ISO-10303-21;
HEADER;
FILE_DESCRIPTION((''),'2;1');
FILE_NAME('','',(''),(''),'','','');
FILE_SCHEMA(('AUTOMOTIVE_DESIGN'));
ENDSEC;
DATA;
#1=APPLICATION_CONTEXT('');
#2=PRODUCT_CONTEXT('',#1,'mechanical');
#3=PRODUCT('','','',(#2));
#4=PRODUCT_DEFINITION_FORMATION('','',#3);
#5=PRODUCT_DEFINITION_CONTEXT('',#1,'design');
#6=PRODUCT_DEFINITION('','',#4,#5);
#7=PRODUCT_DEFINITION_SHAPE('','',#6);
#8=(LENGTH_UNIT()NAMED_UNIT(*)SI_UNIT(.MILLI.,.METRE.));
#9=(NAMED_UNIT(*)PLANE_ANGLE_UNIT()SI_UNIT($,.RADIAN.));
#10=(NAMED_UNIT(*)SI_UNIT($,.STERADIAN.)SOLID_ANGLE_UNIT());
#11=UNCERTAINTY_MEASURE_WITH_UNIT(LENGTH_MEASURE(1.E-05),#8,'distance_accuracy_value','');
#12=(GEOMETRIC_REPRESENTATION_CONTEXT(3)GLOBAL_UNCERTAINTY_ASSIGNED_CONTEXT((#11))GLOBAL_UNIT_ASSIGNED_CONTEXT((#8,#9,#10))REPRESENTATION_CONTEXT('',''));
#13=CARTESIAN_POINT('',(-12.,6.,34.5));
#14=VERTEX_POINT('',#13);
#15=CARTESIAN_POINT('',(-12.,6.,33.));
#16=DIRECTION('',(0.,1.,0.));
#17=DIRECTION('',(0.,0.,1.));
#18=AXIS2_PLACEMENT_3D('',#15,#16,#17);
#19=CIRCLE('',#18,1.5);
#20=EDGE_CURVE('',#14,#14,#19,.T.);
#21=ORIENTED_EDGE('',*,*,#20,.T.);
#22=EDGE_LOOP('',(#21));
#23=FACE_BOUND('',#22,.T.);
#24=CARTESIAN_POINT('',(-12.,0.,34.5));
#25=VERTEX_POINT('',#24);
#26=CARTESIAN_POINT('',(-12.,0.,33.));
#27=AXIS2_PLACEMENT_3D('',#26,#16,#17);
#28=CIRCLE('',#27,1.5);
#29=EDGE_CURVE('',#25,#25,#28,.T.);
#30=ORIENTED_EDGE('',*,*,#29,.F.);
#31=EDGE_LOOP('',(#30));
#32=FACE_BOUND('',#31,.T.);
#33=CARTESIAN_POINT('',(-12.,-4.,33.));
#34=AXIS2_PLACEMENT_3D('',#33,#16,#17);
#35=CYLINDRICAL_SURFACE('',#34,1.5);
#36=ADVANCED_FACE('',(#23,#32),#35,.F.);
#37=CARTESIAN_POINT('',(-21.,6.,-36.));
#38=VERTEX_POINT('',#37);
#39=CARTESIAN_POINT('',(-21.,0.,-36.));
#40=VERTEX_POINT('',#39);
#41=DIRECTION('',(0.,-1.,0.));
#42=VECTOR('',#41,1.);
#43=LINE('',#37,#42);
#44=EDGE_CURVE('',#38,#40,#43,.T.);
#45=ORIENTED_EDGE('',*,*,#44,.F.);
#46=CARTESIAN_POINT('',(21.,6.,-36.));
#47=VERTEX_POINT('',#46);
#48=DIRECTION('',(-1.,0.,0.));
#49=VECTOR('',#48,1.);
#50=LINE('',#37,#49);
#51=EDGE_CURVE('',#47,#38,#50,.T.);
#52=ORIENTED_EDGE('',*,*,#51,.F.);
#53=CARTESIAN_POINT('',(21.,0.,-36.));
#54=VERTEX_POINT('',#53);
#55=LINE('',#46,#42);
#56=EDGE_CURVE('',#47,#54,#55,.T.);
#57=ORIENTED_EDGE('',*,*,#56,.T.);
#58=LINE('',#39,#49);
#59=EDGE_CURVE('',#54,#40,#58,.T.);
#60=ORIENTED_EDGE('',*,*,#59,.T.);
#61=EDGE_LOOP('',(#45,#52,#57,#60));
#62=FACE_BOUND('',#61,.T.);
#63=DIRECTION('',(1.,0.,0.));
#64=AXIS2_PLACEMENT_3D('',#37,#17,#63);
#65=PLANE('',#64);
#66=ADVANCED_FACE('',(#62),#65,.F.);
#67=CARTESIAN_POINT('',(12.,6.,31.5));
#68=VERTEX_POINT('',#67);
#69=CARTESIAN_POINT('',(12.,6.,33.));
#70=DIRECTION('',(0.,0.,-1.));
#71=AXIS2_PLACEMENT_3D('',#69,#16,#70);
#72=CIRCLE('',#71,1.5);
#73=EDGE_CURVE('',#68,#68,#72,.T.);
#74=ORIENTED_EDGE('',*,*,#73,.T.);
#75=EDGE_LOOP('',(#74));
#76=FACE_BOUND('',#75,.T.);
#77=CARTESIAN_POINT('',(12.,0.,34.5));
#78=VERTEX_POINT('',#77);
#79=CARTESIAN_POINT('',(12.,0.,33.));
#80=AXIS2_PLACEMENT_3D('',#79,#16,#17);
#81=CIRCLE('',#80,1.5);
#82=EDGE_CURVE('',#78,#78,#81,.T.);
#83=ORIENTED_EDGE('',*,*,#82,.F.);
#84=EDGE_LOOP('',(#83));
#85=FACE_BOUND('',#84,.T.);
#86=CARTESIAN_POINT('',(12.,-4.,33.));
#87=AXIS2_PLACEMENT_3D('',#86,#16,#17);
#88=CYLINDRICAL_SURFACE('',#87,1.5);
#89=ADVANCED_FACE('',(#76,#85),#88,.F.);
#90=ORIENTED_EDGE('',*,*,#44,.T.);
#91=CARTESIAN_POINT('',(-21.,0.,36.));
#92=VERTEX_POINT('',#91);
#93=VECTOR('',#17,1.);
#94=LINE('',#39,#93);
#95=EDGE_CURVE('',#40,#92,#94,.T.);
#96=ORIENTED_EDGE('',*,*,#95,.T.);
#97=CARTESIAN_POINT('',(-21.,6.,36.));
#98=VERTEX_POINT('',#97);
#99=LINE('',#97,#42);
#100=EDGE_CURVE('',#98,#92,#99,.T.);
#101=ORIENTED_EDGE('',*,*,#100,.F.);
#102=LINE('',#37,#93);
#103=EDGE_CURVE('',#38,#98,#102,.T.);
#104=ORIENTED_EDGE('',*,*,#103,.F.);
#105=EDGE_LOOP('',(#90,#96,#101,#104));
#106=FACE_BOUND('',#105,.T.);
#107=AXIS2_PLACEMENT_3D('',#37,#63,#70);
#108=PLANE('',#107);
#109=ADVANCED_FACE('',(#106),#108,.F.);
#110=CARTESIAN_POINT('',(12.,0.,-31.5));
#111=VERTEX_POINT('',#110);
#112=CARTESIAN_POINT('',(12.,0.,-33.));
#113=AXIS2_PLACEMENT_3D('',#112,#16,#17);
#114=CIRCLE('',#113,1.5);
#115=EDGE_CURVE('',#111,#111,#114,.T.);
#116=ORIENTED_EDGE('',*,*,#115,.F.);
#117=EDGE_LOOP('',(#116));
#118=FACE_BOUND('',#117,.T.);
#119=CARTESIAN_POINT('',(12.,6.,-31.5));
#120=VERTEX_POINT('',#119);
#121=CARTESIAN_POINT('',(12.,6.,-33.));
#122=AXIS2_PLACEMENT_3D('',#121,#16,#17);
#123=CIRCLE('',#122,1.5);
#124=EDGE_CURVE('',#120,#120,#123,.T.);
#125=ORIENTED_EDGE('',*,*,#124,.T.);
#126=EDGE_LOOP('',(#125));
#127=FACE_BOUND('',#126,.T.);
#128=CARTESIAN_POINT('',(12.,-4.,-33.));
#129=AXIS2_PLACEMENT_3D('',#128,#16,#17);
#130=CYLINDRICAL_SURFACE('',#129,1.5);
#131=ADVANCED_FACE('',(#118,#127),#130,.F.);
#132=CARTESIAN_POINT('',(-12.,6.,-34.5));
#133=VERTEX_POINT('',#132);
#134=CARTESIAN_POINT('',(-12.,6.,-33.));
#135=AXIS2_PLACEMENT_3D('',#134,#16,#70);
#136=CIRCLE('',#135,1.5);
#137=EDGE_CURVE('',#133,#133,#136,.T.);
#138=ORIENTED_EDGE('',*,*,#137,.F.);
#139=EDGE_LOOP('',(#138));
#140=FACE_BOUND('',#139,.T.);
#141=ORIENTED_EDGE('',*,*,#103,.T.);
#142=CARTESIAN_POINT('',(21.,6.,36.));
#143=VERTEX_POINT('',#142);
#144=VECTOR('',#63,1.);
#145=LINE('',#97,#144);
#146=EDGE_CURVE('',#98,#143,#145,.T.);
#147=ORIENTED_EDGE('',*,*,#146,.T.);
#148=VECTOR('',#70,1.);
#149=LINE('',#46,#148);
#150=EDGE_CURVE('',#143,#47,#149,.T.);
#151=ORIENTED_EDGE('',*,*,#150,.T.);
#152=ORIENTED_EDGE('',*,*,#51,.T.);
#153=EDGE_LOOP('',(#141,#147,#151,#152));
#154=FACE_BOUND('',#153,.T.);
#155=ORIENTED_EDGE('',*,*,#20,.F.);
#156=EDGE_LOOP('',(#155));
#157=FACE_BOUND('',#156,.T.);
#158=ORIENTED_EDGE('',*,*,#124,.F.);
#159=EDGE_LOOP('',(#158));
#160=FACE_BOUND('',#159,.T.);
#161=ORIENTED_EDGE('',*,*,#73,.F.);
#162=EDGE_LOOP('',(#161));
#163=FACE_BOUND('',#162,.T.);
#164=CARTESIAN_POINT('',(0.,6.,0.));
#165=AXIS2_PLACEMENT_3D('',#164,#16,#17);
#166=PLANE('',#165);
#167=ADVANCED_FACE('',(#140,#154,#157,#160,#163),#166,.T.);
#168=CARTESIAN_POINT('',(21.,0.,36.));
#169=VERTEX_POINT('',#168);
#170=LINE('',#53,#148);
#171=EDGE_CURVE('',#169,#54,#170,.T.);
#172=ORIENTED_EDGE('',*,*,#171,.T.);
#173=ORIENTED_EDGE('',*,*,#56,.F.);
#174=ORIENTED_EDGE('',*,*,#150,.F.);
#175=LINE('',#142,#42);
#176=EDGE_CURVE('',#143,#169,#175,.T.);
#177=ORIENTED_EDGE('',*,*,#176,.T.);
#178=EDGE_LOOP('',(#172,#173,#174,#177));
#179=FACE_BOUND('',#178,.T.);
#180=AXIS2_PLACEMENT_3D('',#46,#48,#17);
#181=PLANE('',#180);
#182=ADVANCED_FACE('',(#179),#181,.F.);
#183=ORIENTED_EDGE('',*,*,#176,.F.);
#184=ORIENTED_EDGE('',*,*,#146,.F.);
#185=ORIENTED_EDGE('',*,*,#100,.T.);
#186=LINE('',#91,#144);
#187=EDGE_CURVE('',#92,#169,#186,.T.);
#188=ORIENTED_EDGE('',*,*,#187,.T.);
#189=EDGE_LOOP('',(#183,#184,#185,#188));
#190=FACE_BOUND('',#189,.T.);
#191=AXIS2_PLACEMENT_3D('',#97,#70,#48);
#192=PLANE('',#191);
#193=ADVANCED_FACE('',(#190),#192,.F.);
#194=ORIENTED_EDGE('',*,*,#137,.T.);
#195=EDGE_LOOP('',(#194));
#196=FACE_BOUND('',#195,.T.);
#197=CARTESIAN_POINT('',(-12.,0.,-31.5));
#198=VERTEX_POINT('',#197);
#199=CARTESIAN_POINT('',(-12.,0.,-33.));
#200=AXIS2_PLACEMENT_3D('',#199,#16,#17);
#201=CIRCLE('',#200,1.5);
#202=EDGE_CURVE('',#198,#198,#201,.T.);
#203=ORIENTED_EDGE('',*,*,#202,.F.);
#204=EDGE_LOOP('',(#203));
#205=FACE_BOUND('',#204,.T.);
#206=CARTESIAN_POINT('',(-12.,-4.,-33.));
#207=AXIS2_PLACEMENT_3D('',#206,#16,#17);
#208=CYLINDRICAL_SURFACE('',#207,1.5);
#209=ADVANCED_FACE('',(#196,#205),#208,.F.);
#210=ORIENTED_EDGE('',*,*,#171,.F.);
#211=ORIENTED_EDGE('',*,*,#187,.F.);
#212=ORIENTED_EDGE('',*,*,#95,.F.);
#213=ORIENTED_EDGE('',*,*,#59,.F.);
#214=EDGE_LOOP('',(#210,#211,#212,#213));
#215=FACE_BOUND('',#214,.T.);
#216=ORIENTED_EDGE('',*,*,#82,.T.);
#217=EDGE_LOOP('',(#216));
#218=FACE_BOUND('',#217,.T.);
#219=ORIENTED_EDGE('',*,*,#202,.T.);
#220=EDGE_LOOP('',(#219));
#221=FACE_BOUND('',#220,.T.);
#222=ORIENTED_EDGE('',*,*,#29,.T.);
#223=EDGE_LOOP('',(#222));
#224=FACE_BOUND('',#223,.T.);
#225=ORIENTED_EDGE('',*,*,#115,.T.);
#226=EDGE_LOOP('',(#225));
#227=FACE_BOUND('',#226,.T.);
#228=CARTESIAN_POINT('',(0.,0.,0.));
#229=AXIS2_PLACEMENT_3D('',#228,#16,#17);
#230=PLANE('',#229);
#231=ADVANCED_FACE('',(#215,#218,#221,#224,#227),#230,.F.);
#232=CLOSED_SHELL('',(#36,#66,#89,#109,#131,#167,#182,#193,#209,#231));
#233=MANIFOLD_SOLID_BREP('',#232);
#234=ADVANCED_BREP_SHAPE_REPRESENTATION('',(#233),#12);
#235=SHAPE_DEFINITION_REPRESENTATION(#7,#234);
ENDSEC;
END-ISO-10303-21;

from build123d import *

# Parameters (mm, degrees)
SKETCH1_W           = 42
SKETCH1_H           = 72
BOSS_EXTRUDE1_DEPTH = 6
SKETCH2_R           = 1.5
CUT_EXTRUDE1_DEPTH  = 10


with BuildPart() as part:
    # Sketch1 → Boss-Extrude1 (new body)
    with BuildSketch(Plane(origin=(0, 0, 0), x_dir=(1, 0, 0), z_dir=(0, 1, 0))):
        Rectangle(SKETCH1_W, SKETCH1_H)
    extrude(amount=BOSS_EXTRUDE1_DEPTH)

    # Sketch2 → Cut-Extrude1 (cut)
    with BuildSketch(Plane(origin=(0, 6, 0), x_dir=(1, 0, 0), z_dir=(0, 1, 0))):
        with Locations(Location((-12, -33, 0), (0, 0, 270))):
            Circle(SKETCH2_R)
        with Locations(Location((12, -33, 0), (0, 0, 270))):
            Circle(SKETCH2_R)
        with Locations(Location((12, 33, 0), (0, 0, 270))):
            Circle(SKETCH2_R)
        with Locations(Location((-12, 33, 0), (0, 0, 270))):
            Circle(SKETCH2_R)
    extrude(amount=-CUT_EXTRUDE1_DEPTH, mode=Mode.SUBTRACT)


solid = part.part
